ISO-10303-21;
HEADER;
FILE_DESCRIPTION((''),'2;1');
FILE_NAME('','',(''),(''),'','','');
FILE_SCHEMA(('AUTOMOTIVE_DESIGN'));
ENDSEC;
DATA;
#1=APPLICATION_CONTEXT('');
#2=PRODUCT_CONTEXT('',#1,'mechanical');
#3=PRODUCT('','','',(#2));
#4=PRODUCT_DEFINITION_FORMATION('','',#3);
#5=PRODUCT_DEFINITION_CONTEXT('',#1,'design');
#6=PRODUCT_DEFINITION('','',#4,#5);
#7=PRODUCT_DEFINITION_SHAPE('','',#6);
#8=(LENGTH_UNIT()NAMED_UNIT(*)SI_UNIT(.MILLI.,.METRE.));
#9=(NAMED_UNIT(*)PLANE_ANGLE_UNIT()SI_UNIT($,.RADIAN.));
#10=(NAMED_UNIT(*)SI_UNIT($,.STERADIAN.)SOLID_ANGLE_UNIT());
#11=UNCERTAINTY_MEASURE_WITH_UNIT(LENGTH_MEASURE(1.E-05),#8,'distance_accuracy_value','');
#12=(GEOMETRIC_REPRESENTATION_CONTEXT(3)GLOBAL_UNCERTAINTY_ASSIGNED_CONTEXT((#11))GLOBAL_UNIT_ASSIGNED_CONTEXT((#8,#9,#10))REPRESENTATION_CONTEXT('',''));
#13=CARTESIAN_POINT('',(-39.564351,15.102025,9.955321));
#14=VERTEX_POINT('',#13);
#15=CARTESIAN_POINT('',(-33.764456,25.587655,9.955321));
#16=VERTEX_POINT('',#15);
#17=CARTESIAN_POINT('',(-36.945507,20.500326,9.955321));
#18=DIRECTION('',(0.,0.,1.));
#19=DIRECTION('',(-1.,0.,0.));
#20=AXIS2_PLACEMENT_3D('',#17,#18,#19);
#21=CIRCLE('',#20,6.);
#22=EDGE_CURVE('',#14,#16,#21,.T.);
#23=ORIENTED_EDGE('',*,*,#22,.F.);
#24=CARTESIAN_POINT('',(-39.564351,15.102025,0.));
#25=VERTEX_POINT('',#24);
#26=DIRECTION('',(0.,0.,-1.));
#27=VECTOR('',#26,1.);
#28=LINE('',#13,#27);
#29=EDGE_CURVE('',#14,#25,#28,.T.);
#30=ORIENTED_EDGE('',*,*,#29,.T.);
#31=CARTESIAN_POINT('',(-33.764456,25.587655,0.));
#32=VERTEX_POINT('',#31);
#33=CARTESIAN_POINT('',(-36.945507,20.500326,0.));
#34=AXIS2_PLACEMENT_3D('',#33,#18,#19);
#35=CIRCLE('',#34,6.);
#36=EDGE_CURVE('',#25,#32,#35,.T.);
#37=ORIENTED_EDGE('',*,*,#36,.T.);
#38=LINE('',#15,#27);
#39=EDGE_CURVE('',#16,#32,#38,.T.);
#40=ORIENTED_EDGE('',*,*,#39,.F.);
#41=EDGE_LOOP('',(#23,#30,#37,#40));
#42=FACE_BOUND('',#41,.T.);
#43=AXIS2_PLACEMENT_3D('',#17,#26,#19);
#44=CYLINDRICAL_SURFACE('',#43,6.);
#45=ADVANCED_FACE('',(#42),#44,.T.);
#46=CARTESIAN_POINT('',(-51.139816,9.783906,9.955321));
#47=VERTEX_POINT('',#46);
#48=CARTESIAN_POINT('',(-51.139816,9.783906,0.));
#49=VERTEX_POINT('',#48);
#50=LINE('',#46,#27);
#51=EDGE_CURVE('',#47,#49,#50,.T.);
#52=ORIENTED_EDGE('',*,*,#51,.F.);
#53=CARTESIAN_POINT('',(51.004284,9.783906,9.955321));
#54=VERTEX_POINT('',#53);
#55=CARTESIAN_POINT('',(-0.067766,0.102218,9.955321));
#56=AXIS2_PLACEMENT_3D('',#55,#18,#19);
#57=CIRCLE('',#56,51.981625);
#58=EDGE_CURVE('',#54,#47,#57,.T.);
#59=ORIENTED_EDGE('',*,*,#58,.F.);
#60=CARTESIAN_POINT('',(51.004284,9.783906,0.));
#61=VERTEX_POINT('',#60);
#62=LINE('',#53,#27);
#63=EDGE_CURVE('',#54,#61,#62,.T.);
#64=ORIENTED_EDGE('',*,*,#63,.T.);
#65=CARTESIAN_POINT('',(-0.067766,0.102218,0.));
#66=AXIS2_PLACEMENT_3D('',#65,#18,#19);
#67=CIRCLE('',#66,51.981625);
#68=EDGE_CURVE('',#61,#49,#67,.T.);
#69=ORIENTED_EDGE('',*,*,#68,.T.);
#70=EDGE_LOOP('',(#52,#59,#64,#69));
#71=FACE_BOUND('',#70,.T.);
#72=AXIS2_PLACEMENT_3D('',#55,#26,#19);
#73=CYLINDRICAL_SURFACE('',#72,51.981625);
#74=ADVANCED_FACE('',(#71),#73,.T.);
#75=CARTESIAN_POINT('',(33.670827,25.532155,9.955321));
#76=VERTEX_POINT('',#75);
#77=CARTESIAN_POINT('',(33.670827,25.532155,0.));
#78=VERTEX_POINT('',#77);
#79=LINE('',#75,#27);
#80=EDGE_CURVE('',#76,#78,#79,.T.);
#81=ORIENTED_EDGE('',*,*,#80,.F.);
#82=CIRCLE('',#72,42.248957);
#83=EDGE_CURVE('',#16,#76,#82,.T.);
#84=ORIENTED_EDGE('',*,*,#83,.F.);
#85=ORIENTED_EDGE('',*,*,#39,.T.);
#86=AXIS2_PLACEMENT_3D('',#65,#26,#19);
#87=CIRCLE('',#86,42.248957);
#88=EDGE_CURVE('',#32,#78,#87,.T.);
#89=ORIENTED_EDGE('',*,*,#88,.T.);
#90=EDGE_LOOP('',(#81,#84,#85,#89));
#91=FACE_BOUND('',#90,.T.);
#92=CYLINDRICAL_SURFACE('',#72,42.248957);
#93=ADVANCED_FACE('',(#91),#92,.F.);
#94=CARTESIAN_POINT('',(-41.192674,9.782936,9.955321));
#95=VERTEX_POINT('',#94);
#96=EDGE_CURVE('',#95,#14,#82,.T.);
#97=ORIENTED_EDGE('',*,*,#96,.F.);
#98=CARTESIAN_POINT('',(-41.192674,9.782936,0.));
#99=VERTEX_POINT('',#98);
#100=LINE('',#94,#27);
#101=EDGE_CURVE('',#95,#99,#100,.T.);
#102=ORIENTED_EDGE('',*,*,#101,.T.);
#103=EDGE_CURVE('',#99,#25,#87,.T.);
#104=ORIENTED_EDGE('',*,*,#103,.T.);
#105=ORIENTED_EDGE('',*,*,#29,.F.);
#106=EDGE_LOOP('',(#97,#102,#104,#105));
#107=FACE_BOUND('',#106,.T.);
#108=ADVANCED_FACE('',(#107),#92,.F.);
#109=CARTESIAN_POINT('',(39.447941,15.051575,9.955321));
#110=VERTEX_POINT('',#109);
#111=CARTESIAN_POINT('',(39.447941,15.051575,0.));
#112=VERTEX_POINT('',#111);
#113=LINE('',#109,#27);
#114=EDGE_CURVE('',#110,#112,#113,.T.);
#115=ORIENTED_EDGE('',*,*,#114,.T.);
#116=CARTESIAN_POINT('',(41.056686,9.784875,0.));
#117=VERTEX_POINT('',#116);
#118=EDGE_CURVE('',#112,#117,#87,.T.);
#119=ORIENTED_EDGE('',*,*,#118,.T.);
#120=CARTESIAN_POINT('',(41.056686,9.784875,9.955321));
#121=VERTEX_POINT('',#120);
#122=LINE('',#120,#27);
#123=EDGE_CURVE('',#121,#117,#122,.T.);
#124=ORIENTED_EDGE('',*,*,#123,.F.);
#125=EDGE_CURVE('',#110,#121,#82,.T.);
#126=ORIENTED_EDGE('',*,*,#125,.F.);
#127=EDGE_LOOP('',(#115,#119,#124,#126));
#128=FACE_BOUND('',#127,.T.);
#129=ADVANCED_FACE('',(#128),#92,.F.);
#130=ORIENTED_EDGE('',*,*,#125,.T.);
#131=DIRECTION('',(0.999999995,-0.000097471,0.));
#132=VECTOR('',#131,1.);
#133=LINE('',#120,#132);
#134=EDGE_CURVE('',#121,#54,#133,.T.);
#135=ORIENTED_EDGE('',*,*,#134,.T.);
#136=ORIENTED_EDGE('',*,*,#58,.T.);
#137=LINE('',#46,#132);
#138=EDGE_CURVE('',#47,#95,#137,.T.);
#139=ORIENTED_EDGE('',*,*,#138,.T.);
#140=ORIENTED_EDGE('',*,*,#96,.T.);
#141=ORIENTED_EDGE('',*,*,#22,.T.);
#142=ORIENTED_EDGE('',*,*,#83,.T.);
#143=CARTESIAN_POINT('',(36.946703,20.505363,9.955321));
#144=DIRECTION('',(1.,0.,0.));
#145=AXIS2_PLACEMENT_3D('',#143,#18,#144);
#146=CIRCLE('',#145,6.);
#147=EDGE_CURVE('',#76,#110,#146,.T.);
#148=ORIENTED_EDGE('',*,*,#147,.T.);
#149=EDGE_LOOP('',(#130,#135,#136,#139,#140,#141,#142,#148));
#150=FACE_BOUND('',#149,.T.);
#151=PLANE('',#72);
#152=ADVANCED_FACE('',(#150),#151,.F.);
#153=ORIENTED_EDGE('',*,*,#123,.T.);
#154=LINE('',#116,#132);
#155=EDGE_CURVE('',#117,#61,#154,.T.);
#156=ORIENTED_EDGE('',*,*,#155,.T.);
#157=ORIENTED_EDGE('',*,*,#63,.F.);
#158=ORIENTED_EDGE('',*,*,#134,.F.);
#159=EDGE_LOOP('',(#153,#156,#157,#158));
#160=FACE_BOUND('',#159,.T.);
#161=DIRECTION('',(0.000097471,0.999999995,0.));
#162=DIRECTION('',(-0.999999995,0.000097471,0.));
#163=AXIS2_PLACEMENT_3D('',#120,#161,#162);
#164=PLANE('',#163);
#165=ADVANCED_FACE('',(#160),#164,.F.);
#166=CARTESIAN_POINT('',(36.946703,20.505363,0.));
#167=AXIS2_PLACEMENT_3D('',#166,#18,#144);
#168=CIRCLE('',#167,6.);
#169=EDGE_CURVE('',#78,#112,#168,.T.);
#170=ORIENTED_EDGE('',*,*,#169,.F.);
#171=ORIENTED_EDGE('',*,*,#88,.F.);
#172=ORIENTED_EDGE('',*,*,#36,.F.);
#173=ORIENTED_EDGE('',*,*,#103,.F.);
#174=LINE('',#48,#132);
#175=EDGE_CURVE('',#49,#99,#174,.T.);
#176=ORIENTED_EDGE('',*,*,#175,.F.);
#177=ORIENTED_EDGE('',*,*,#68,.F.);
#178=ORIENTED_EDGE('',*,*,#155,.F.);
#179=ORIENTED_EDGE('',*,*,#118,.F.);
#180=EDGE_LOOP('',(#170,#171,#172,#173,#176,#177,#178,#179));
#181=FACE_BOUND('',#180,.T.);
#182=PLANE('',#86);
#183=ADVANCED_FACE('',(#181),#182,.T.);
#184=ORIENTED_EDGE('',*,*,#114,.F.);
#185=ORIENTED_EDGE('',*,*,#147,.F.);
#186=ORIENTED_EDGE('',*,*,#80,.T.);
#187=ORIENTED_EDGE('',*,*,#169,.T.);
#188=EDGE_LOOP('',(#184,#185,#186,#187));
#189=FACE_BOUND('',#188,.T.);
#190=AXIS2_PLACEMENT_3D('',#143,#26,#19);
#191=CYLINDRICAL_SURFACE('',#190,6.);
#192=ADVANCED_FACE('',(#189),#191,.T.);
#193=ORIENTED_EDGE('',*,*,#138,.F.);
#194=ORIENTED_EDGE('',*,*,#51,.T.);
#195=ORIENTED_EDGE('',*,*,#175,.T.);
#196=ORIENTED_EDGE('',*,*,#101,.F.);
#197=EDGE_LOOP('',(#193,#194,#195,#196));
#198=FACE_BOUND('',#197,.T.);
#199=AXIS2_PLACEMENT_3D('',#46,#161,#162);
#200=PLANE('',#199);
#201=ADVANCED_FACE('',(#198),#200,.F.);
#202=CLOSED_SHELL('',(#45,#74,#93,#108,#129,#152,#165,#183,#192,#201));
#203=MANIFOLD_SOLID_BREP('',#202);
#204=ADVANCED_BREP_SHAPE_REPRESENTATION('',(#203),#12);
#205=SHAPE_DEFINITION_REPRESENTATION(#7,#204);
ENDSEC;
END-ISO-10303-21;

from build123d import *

# Parameters (mm, degrees)
BOSS_EXTRUDE6_DEPTH = 9.955320875


with BuildPart() as part:
    # Sketch1 → Boss-Extrude6 (new body)
    with BuildSketch(Plane.XY):
        with BuildLine():
            Line((-51.139816159, 9.78390553), (-41.19267445, 9.782935976))
            ThreePointArc((-41.19267445, 9.782935976), (-40.46615036, 12.469308879), (-39.564350519, 15.102024906))
            ThreePointArc((-39.564350519, 15.102024906), (-31.695161559, 17.596213673), (-33.764455715, 25.587654982))
            ThreePointArc((-33.764455715, 25.587654982), (-0.032994911, 42.351160958), (33.670827225, 25.532155221))
            ThreePointArc((33.670827225, 25.532155221), (31.692118999, 17.608927269), (39.44794108, 15.051574876))
            ThreePointArc((39.44794108, 15.051574876), (40.338215404, 12.444464282), (41.056685691, 9.784875128))
            Line((41.056685691, 9.784875128), (51.004283921, 9.78390553))
            ThreePointArc((51.004283921, 9.78390553), (-0.067766119, 52.083843354), (-51.139816159, 9.78390553))
        make_face()
    extrude(amount=BOSS_EXTRUDE6_DEPTH)


solid = part.part
